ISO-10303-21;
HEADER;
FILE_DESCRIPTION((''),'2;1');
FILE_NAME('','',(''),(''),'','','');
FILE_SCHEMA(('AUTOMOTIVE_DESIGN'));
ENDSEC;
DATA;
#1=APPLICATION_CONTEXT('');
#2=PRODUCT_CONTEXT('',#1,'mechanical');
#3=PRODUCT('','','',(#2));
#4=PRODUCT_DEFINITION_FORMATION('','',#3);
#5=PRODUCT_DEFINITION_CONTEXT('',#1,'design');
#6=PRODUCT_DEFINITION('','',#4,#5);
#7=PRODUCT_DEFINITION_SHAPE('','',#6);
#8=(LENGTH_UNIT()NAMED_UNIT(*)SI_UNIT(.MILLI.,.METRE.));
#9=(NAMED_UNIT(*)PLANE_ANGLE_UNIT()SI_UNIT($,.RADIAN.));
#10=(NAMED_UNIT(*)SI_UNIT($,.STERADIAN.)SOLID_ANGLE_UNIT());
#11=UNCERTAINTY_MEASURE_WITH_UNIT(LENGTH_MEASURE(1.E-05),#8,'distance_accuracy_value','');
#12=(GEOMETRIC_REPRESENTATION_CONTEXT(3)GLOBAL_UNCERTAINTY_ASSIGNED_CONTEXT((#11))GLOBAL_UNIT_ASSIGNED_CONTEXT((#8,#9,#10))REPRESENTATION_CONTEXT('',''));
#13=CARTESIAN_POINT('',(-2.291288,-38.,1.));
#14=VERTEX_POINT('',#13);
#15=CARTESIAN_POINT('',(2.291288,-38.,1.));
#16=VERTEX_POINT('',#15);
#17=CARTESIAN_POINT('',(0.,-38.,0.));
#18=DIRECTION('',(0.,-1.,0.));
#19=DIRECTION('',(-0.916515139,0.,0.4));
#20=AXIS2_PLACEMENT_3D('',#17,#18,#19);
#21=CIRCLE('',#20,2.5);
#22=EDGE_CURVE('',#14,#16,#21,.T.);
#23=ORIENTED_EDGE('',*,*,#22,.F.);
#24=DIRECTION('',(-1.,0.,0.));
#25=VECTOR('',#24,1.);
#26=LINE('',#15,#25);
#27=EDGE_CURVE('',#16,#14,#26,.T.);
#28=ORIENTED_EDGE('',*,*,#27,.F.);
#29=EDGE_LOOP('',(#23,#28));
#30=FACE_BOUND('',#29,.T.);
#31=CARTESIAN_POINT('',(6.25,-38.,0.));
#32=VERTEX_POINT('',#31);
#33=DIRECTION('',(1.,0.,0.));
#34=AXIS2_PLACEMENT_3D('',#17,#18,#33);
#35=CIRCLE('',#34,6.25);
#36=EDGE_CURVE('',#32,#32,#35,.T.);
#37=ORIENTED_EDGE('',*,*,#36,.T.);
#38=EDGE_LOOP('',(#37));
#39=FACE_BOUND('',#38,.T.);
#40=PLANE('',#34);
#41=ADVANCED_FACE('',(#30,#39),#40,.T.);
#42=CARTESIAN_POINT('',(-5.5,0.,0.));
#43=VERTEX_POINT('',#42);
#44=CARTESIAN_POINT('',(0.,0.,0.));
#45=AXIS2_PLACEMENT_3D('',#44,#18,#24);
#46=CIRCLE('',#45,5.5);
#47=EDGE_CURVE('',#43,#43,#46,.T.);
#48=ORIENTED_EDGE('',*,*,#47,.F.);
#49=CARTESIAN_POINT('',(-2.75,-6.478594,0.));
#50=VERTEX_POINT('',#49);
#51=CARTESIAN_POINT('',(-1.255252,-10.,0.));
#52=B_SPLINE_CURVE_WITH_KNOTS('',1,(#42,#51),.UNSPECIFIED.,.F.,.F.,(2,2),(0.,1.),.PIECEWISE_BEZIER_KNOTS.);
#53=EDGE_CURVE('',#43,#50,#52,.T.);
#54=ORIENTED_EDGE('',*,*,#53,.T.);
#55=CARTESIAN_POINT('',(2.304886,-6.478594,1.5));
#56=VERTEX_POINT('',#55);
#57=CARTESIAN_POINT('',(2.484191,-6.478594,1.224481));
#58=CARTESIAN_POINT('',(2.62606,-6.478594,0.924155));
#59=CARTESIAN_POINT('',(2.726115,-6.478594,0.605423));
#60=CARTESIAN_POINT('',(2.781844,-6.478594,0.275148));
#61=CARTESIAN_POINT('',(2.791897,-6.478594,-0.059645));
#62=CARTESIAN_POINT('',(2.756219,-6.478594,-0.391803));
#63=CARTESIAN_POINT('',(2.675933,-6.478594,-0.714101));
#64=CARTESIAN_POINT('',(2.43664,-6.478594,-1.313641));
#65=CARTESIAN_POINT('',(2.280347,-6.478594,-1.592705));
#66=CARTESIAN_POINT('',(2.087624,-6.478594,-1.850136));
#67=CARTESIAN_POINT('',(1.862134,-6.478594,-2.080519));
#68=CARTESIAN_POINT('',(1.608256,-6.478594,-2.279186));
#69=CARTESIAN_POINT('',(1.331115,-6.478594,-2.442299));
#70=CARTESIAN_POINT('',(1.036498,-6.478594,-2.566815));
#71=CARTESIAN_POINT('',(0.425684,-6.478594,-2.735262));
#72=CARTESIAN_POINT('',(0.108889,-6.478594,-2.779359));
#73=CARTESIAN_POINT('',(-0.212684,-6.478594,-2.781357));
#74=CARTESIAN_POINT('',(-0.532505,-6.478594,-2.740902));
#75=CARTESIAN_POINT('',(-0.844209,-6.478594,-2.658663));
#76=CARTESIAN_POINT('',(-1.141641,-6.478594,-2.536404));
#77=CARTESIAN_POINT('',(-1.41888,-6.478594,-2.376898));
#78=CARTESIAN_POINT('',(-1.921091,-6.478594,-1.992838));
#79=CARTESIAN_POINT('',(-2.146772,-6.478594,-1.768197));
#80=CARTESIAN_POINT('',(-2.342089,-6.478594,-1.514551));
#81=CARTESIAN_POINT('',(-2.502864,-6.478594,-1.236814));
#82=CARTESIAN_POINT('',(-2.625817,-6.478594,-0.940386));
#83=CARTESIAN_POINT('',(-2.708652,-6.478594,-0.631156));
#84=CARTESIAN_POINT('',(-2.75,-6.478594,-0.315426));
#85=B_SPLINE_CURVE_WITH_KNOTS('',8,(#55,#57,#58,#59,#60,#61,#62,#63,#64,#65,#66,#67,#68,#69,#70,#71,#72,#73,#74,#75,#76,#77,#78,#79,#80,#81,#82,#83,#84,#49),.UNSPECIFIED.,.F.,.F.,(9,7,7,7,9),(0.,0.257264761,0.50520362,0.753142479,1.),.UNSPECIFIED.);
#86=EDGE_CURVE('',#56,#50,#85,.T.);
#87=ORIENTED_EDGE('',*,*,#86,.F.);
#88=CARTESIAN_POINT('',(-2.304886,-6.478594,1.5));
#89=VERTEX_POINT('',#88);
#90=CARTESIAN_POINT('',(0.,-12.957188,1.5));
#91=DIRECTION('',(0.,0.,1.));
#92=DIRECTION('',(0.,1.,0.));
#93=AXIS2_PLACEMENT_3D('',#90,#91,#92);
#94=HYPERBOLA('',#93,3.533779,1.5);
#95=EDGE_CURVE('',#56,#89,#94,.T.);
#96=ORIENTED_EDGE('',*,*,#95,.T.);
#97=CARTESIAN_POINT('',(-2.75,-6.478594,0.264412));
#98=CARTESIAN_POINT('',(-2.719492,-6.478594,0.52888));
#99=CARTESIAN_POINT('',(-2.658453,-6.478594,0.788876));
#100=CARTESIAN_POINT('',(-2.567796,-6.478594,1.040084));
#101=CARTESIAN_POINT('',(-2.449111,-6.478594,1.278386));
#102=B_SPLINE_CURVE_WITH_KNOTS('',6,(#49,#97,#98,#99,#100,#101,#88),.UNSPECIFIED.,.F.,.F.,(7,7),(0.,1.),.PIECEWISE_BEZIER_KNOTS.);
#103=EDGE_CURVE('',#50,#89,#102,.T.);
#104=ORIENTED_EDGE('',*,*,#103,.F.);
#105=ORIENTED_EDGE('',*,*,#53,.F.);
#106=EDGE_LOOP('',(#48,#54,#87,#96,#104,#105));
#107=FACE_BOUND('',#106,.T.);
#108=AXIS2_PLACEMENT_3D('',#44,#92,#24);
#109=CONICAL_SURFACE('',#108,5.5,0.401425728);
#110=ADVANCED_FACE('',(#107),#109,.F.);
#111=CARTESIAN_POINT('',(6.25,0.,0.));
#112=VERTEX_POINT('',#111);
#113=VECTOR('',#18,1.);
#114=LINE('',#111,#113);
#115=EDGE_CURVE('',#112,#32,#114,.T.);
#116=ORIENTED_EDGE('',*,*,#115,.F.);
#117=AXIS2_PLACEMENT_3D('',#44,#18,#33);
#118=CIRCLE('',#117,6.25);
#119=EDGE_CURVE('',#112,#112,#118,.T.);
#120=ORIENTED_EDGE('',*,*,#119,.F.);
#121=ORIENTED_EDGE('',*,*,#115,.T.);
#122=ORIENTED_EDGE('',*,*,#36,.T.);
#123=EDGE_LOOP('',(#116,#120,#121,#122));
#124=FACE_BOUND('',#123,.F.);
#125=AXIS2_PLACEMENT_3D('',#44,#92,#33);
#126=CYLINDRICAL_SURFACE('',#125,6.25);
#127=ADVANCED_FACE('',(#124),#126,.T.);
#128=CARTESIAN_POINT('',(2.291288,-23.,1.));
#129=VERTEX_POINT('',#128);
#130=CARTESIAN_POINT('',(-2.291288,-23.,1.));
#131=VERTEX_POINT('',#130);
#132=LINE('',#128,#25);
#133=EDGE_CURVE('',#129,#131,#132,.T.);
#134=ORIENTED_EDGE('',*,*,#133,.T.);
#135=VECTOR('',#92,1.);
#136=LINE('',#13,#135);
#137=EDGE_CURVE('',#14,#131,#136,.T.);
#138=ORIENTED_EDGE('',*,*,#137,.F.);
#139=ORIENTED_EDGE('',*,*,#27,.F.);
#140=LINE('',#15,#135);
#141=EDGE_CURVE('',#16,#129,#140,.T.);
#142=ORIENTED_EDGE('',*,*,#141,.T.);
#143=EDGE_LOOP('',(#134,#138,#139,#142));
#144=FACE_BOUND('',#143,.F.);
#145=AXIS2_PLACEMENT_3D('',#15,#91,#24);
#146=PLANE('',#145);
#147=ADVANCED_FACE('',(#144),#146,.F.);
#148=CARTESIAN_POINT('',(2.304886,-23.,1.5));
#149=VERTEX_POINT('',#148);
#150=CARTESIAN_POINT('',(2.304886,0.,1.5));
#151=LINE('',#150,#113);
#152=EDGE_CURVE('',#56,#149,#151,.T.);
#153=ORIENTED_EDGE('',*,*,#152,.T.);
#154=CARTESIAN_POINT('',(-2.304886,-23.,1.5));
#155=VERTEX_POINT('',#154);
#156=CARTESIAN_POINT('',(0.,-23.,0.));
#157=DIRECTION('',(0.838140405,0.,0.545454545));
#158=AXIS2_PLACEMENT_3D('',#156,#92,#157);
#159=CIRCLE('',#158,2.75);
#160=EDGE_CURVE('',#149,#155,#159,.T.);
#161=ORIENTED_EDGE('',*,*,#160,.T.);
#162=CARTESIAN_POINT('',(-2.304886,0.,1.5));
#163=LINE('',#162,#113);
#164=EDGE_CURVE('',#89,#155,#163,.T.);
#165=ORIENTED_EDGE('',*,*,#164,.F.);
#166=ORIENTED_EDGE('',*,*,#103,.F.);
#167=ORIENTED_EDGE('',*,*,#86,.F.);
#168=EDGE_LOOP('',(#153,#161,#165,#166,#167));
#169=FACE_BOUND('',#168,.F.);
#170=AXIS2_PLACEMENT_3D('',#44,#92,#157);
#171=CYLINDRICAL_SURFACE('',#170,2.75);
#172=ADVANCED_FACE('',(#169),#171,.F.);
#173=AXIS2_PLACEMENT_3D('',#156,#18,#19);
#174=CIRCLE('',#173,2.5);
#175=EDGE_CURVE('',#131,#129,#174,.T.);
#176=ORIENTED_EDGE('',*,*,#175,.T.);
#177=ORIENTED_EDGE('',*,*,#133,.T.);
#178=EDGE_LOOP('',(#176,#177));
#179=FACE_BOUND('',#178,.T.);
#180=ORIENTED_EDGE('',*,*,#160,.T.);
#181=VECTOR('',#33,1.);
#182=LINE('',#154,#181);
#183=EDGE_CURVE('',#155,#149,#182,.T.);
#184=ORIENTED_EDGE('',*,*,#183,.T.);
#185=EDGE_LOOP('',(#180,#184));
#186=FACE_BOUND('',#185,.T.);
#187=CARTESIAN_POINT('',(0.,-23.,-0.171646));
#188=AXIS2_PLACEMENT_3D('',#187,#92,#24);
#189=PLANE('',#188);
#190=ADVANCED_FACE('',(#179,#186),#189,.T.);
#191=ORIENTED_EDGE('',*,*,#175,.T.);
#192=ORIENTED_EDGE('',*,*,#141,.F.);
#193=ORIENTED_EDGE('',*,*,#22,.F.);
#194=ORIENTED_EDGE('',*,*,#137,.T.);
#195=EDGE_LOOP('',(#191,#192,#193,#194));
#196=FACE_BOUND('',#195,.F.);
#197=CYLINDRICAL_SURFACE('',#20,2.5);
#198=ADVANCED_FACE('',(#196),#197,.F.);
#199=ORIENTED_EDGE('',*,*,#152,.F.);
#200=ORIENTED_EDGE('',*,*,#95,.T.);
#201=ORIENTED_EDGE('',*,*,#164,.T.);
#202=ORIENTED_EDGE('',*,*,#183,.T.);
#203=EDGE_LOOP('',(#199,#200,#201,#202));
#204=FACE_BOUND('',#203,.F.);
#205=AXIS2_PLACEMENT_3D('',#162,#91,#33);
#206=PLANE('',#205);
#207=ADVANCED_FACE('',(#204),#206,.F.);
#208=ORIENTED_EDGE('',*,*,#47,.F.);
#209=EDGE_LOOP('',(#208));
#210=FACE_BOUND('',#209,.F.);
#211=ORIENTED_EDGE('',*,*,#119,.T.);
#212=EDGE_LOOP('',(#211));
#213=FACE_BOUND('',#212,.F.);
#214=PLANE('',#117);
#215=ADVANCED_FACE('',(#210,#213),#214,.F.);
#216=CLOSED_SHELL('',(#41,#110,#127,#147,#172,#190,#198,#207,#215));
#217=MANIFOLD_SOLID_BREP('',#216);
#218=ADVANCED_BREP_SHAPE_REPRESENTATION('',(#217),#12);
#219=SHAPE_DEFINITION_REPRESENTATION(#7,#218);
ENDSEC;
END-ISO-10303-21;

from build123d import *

# Parameters (mm, degrees)
F0_R     = 6.25
F1_DEPTH = 38
F3_DEPTH = 15
F5_DEPTH = 23
F6_R     = 5.5
F7_DEPTH = 10
F7_TAPER = 23


with BuildPart() as f1:
    # F0 (on Front) → F1 (new body)
    with BuildSketch(Plane.XZ):
        Circle(F0_R)
    extrude(amount=F1_DEPTH)

    # F2 (on face) → F3 (cut)
    with BuildSketch(Plane.XZ.offset(38)):
        with BuildLine():
            Line((0, 1), (-2.2912878475, 1))
            ThreePointArc((-2.2912878475, 1), (0, -2.5), (2.2912878475, 1))
            Line((2.2912878475, 1), (0, 1))
        make_face()
    extrude(amount=-F3_DEPTH, mode=Mode.SUBTRACT)

    # F4 (on face) → F5 (cut)
    with BuildSketch(Plane(origin=(0, 0, 0), x_dir=(-1, 0, 0), z_dir=(0, 1, 0))):
        with BuildLine():
            Line((0, 1.5), (-2.3048861143, 1.5))
            ThreePointArc((-2.3048861143, 1.5), (0, -2.75), (2.3048861143, 1.5))
            Line((2.3048861143, 1.5), (0, 1.5))
        make_face()
    extrude(amount=-F5_DEPTH, mode=Mode.SUBTRACT)

    # F6 (on face) → F7 (cut)
    with BuildSketch(Plane(origin=(0, 0, 0), x_dir=(-1, 0, 0), z_dir=(0, 1, 0))):
        Circle(F6_R)
    extrude(amount=-F7_DEPTH, taper=F7_TAPER, mode=Mode.SUBTRACT)


solid = f1.part
